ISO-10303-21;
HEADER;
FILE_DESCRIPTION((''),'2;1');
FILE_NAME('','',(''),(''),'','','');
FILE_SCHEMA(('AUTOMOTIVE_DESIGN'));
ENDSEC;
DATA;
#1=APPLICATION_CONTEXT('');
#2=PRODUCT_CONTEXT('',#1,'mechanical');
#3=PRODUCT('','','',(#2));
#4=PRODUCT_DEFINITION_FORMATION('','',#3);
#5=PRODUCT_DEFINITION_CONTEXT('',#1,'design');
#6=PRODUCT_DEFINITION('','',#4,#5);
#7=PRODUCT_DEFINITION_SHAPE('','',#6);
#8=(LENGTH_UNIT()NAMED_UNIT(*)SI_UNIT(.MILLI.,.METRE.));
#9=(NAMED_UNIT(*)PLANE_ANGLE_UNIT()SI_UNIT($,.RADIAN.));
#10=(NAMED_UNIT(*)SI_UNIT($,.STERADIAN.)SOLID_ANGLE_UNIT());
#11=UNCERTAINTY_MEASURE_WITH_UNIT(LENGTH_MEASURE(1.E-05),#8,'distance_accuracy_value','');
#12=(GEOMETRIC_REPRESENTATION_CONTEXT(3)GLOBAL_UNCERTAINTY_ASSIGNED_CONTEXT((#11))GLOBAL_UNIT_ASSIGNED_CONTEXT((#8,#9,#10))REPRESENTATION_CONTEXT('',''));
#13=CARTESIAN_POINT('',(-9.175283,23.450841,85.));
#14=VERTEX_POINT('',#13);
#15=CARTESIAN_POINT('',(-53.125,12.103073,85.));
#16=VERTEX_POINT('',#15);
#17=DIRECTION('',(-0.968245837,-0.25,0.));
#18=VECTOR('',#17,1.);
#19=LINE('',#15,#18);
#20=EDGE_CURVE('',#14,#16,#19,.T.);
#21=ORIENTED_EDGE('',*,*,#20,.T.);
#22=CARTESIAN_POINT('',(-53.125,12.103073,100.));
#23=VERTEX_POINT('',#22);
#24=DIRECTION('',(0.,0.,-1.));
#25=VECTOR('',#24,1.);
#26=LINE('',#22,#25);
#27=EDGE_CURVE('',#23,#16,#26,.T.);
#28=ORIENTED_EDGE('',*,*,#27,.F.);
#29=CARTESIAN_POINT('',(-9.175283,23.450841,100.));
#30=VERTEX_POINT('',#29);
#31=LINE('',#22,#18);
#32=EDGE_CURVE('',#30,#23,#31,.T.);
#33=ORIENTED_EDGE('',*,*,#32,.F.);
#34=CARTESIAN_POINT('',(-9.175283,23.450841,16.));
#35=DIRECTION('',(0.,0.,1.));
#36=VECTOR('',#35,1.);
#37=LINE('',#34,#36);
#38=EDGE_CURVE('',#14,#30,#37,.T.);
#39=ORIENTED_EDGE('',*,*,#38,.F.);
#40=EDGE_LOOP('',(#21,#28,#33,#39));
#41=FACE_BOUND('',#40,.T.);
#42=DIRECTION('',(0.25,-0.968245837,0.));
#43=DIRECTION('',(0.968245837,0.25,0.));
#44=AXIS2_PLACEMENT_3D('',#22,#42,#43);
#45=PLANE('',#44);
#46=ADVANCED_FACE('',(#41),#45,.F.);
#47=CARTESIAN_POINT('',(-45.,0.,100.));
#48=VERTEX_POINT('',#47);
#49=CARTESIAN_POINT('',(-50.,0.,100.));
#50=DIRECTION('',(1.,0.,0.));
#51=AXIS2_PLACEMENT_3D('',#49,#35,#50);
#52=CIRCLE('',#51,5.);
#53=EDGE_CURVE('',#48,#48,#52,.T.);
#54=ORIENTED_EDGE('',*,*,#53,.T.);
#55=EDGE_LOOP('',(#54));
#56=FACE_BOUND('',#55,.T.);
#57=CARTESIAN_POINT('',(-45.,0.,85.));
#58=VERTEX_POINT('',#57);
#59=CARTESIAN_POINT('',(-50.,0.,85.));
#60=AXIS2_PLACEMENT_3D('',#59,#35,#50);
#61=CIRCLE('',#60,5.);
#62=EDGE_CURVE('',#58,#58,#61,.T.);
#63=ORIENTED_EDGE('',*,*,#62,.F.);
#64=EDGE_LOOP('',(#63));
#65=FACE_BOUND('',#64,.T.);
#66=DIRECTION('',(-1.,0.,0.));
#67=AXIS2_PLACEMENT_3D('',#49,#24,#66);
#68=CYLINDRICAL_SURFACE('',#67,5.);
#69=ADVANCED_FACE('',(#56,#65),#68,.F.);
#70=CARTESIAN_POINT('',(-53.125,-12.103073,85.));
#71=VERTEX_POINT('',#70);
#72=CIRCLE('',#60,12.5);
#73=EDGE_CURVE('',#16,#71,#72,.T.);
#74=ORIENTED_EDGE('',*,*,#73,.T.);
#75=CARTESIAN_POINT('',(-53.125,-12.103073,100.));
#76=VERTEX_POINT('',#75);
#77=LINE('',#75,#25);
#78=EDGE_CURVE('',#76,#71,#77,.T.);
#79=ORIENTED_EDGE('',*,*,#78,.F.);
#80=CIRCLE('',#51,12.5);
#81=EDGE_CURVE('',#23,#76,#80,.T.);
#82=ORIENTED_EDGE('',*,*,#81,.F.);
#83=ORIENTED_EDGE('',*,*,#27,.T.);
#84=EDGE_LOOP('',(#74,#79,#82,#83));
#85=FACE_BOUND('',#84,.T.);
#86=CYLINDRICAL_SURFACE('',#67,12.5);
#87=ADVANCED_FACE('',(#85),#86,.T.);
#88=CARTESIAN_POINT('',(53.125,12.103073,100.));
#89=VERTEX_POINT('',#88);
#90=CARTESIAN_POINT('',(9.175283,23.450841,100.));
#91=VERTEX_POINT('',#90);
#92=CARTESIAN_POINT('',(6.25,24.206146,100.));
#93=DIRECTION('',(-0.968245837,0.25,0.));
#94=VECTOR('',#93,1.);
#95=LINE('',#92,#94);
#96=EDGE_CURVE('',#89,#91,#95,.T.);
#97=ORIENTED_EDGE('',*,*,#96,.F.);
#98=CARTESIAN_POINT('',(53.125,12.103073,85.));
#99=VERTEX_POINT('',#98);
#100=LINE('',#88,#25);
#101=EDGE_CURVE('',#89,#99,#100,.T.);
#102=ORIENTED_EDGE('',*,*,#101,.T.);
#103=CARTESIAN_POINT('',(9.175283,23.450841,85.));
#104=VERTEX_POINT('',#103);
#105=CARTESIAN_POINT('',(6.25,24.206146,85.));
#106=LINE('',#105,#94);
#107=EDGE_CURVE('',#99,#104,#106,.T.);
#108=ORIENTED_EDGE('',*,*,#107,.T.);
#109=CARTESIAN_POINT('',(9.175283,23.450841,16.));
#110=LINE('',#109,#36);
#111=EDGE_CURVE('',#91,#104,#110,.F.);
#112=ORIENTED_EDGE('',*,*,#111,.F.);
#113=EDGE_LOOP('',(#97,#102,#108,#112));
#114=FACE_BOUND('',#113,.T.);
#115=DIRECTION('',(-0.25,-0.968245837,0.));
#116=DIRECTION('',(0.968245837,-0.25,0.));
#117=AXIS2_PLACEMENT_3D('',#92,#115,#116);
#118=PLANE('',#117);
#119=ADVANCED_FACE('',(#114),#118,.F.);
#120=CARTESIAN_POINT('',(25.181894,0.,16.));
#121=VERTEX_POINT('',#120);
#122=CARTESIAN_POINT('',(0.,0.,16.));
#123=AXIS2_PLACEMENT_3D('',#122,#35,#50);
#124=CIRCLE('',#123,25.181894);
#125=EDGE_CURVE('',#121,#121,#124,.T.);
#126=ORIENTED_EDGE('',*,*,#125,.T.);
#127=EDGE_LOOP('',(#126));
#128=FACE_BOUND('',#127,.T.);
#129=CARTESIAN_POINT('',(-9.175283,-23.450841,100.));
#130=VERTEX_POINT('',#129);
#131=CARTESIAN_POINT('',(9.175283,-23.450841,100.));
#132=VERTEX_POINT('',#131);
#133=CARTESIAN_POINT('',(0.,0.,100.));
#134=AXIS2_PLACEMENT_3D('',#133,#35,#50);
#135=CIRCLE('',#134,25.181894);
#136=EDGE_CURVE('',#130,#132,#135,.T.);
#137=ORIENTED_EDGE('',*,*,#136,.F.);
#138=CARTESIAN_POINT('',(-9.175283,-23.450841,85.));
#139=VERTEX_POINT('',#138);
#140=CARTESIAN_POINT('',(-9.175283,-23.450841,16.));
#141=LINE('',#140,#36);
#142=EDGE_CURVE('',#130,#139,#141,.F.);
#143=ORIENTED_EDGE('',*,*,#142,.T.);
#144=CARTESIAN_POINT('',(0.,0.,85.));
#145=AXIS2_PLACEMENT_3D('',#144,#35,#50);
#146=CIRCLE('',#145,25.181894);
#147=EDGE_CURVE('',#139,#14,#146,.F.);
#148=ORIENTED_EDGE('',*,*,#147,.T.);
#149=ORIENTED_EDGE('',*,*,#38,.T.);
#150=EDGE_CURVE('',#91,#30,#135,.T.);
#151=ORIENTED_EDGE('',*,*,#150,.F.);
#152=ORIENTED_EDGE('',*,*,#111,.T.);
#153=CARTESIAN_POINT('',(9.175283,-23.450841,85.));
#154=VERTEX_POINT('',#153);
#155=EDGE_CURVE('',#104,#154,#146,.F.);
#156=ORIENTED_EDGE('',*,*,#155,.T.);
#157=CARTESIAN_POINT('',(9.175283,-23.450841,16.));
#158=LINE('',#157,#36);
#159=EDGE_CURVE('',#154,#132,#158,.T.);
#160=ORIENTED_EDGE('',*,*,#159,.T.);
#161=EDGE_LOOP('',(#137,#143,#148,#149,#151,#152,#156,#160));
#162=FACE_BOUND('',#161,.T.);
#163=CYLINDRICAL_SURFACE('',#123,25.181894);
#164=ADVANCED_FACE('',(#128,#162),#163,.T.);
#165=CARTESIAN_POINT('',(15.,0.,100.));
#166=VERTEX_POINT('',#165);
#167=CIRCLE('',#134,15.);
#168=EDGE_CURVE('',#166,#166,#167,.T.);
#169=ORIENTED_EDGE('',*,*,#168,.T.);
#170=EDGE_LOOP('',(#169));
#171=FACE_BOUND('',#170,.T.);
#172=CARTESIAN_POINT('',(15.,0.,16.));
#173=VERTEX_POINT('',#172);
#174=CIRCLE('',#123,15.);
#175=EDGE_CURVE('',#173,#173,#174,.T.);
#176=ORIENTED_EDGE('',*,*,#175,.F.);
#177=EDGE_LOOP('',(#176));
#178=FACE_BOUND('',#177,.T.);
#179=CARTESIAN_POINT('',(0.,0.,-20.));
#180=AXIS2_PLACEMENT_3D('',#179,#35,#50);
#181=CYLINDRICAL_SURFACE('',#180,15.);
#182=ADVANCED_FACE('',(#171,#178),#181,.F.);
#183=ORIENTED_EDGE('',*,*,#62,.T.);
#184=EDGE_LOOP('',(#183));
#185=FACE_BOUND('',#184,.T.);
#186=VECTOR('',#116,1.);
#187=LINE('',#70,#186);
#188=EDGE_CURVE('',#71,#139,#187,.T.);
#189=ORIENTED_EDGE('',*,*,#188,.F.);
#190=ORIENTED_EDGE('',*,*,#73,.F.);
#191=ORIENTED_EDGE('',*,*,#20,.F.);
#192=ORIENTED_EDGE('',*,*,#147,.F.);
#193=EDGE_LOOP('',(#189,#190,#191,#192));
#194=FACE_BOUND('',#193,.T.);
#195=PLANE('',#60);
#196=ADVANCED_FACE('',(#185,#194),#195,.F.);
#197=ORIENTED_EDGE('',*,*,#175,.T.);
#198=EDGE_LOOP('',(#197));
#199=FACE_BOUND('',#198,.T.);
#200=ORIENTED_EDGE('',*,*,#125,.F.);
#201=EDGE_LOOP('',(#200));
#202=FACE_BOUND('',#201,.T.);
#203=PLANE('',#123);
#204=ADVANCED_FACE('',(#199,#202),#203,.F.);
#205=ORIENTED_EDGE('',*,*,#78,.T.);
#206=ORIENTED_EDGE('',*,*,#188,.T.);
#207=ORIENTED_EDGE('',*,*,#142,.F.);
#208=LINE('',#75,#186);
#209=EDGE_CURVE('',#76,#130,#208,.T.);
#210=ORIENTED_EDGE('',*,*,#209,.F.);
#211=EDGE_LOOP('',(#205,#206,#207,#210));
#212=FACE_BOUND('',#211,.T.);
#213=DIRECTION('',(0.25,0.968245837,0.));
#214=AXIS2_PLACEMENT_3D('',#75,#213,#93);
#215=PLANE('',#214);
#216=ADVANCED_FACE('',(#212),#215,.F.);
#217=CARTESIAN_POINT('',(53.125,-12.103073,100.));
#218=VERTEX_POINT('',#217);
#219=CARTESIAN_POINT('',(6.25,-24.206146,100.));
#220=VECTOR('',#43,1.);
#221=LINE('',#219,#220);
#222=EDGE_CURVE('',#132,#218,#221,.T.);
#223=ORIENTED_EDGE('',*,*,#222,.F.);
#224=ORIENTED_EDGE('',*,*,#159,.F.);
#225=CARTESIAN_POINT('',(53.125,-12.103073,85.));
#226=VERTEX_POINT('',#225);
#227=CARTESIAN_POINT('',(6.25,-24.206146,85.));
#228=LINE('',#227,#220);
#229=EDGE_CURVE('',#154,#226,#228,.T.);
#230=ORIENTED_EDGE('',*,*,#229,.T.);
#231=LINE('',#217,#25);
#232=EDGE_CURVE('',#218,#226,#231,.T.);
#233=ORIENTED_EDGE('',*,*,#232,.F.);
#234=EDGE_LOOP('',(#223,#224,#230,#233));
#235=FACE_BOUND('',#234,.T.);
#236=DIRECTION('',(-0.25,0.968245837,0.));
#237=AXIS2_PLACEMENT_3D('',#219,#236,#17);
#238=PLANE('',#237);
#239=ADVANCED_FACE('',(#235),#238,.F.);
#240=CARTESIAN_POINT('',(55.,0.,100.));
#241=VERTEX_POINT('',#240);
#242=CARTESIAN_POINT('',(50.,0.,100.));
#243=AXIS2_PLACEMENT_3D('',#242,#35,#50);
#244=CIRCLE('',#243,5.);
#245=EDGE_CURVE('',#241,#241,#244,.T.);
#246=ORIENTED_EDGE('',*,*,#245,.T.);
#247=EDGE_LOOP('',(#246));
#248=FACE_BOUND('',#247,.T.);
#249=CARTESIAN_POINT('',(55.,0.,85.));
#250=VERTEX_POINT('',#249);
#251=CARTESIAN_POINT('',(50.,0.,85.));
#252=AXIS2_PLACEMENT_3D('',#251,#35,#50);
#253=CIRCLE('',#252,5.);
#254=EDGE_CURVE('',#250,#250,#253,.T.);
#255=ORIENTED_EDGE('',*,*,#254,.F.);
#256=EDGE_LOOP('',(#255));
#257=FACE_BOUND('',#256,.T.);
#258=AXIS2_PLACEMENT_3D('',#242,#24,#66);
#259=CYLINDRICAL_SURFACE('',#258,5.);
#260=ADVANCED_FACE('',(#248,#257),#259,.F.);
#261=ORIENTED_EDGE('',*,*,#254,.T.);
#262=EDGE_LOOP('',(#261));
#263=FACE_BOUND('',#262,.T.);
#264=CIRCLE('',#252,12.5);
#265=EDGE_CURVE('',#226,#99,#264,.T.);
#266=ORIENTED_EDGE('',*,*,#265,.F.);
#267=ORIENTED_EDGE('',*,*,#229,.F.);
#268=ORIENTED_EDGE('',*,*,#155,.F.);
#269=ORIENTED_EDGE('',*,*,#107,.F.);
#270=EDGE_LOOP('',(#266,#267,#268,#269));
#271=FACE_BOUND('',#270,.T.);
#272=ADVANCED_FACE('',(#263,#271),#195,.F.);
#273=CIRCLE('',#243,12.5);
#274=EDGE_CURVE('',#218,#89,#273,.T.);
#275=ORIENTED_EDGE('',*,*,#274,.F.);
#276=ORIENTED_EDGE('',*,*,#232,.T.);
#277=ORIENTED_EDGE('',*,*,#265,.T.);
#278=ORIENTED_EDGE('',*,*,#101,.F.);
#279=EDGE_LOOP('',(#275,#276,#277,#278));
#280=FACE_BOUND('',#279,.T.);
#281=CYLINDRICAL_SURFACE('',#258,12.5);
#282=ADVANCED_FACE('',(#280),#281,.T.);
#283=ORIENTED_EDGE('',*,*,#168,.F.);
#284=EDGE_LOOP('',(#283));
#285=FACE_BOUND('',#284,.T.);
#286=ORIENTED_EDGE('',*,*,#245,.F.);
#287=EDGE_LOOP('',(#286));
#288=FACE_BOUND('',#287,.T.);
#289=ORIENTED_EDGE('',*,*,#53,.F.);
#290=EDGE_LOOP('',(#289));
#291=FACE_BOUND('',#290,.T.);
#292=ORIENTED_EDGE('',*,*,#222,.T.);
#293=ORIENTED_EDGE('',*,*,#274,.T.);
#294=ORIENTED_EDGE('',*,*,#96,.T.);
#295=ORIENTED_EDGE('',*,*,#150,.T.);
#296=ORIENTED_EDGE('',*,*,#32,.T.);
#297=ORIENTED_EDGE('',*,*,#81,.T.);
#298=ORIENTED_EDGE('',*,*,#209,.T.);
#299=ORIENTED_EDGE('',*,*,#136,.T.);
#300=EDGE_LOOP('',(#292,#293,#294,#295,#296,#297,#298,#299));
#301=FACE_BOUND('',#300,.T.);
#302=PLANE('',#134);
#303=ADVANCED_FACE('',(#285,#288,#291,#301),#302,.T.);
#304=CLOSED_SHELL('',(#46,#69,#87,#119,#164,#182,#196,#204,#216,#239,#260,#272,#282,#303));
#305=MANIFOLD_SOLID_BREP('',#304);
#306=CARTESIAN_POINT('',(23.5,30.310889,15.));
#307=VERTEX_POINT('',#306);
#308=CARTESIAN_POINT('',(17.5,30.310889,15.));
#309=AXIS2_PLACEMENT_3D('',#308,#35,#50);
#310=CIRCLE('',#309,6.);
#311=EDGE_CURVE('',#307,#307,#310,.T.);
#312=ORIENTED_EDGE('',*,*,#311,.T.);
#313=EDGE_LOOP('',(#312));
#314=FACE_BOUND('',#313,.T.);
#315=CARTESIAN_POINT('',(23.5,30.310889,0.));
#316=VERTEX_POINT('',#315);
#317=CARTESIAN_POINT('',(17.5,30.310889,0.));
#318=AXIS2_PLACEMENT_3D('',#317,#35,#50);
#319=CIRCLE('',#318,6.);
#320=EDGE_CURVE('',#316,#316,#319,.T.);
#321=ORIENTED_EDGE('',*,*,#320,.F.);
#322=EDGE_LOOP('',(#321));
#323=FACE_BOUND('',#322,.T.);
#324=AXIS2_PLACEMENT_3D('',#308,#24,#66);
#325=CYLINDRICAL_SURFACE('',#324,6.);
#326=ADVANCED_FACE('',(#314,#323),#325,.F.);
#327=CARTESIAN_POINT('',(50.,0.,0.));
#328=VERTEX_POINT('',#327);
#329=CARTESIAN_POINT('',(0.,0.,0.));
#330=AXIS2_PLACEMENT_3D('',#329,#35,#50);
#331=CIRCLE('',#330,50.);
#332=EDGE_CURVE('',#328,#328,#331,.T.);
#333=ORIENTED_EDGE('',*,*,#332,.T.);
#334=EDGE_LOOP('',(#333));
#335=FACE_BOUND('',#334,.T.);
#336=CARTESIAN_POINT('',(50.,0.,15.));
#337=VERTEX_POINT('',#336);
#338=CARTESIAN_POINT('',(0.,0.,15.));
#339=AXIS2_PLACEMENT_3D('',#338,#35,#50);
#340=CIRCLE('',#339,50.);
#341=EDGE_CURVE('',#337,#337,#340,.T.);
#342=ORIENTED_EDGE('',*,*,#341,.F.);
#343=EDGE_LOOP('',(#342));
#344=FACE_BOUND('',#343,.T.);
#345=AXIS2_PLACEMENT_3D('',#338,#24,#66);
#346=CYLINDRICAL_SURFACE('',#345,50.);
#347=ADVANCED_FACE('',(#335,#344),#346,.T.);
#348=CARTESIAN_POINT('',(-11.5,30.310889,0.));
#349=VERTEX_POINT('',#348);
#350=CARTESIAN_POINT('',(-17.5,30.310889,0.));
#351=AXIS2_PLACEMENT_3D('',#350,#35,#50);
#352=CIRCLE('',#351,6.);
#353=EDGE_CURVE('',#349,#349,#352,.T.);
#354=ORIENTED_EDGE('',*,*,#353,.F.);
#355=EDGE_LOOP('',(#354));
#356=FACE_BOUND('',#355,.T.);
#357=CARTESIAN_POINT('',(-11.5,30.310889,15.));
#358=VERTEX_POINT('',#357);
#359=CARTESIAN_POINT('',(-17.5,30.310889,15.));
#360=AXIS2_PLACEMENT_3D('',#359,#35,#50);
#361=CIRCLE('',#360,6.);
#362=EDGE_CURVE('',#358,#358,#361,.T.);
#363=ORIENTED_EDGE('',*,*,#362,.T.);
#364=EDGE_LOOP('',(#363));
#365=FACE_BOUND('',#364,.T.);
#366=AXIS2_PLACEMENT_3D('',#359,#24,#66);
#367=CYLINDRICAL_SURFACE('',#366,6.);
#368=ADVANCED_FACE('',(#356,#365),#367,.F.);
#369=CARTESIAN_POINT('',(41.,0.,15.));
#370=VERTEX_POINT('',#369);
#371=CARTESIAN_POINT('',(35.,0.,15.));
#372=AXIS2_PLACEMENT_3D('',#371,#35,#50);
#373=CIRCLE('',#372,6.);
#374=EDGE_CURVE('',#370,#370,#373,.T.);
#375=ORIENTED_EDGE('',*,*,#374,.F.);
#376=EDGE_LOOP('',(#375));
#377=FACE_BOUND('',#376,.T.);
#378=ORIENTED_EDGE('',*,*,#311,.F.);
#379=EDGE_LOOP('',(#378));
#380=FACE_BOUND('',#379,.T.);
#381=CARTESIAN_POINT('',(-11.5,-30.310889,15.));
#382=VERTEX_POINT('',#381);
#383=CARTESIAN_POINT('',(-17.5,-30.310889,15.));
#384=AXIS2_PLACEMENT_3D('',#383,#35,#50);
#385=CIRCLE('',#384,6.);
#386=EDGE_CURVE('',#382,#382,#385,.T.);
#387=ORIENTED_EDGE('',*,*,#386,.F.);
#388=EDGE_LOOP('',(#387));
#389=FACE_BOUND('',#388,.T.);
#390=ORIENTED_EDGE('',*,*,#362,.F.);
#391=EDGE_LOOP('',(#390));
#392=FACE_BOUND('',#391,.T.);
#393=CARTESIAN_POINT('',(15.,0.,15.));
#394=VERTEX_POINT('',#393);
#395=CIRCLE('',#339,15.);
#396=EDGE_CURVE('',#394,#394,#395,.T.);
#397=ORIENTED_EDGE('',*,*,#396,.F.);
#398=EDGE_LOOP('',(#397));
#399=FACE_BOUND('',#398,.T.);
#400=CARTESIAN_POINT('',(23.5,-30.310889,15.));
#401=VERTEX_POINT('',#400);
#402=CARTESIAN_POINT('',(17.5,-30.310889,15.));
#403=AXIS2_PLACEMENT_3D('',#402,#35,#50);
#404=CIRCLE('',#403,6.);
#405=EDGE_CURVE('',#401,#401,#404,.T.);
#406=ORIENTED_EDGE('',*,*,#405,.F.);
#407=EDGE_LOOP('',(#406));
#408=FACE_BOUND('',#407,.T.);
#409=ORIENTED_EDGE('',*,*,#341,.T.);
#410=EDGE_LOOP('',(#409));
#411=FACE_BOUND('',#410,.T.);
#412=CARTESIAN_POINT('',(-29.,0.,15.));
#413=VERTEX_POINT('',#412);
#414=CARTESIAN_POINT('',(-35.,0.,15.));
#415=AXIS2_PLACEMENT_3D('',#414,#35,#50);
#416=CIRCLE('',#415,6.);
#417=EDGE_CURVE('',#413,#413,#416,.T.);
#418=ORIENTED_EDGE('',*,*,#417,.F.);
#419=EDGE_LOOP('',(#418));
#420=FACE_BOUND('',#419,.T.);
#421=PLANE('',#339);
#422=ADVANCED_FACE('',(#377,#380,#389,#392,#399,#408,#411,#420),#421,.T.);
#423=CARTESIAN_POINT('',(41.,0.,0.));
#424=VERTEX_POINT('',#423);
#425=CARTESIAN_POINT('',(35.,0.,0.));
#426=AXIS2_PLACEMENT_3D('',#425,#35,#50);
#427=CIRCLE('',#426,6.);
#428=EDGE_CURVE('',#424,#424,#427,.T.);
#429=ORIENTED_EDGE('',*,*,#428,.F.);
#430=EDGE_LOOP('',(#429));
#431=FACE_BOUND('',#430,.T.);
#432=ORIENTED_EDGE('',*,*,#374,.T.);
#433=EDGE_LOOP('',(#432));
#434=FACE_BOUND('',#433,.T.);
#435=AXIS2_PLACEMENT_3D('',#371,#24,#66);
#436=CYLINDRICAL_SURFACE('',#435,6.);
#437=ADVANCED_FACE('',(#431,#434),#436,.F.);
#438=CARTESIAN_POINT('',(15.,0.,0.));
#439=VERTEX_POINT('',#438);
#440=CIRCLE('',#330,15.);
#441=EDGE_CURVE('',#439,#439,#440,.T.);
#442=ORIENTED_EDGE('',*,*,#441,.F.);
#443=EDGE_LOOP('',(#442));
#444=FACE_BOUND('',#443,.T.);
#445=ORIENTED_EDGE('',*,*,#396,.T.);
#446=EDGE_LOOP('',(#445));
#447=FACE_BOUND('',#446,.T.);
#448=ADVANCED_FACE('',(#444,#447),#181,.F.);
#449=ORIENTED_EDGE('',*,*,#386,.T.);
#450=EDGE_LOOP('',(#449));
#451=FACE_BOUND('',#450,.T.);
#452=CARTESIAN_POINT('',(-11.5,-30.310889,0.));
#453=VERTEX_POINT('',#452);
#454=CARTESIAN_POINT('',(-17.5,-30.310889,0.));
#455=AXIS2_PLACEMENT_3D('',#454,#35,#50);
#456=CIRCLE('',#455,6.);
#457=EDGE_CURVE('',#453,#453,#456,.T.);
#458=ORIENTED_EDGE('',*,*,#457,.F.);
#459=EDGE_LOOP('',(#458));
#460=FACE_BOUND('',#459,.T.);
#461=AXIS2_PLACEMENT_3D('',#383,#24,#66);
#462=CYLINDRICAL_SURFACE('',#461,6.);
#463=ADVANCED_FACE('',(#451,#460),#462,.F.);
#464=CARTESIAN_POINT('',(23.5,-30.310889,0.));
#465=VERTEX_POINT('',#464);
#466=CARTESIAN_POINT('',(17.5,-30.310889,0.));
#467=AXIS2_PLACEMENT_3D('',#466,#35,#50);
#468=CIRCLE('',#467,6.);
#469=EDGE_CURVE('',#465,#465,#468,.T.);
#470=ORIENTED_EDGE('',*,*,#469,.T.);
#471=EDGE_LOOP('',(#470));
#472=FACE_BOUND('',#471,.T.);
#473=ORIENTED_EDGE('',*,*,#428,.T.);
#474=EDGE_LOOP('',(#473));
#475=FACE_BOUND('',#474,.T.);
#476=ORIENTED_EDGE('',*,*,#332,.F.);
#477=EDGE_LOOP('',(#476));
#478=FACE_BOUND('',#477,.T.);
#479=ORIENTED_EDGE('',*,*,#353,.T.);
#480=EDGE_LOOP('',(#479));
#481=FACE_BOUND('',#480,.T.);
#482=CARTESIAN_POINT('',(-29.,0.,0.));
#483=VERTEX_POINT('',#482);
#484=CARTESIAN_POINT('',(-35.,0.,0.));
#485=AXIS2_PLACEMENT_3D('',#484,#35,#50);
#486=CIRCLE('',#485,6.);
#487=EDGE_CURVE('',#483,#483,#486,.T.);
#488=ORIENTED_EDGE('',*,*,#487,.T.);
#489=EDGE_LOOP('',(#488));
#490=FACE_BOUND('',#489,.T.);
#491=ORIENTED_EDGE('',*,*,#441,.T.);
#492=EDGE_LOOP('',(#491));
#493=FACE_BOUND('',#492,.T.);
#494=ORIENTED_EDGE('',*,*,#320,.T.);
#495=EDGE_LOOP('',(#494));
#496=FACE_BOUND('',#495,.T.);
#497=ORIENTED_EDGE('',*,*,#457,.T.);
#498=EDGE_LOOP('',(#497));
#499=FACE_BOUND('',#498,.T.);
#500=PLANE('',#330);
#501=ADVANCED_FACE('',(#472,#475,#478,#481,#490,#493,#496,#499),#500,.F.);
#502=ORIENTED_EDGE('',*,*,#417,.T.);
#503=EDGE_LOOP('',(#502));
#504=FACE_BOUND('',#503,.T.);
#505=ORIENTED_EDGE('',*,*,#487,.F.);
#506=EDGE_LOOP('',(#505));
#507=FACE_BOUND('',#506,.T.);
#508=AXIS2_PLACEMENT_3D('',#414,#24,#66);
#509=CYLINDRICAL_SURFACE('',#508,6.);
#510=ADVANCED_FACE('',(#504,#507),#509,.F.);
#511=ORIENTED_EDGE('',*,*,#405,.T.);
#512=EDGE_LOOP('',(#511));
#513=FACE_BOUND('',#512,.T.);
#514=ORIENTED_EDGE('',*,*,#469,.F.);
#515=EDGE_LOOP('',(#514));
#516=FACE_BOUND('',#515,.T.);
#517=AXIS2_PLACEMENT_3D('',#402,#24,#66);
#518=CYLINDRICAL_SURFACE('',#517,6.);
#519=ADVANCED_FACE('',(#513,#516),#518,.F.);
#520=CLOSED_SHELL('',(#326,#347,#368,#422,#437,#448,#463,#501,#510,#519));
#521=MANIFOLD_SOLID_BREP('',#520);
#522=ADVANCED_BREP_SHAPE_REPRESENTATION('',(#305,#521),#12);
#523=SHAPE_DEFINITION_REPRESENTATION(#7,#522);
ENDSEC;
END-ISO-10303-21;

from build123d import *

# Parameters (mm, degrees)
SKETCH1_R           = 50
SKETCH1_R_2         = 6
SKETCH1_R_3         = 15
BOSS_EXTRUDE1_DEPTH = 15
SKETCH1_3_R         = 15
BOSS_EXTRUDE2_DEPTH = 85
SKETCH2_R           = 15
SKETCH2_R_2         = 5
BOSS_EXTRUDE3_DEPTH = 15
SKETCH3_R           = 25.181893643
BOSS_EXTRUDE4_DEPTH = 84
CUT_EXTRUDE1_START  = -120
SKETCH4_R           = 15
CUT_EXTRUDE1_DEPTH  = 120


with BuildPart() as part:
    # Sketch1 → Boss-Extrude1 (new body)
    with BuildSketch(Plane.XY):
        Circle(SKETCH1_R)
        with Locations((17.5, 30.310889132)):
            Circle(SKETCH1_R_2, mode=Mode.SUBTRACT)
        with Locations((-17.5, 30.310889132)):
            Circle(SKETCH1_R_2, mode=Mode.SUBTRACT)
        with Locations((-35, 0)):
            Circle(SKETCH1_R_2, mode=Mode.SUBTRACT)
        with Locations((-17.5, -30.310889132)):
            Circle(SKETCH1_R_2, mode=Mode.SUBTRACT)
        with Locations((17.5, -30.310889132)):
            Circle(SKETCH1_R_2, mode=Mode.SUBTRACT)
        with Locations((35, 0)):
            Circle(SKETCH1_R_2, mode=Mode.SUBTRACT)
        Circle(SKETCH1_R_3, mode=Mode.SUBTRACT)
    extrude(amount=BOSS_EXTRUDE1_DEPTH)

    # Sketch1<3> → Boss-Extrude2 (add)
    with BuildSketch(Plane.XY):
        Circle(SKETCH1_3_R)
    extrude(amount=BOSS_EXTRUDE2_DEPTH)



with BuildPart() as body_2:
    # Sketch2 → Boss-Extrude3 (new body)
    with BuildSketch(Plane.XY.offset(85)):
        with BuildLine():
            Line((-53.125, 12.103072957), (-6.25, 24.206145914))
            ThreePointArc((-6.25, 24.206145914), (0, 25), (6.25, 24.206145914))
            Line((6.25, 24.206145914), (53.125, 12.103072957))
            ThreePointArc((53.125, 12.103072957), (62.5, 0), (53.125, -12.103072957))
            Line((53.125, -12.103072957), (6.25, -24.206145914))
            ThreePointArc((6.25, -24.206145914), (0, -25), (-6.25, -24.206145914))
            Line((-6.25, -24.206145914), (-53.125, -12.103072957))
            ThreePointArc((-53.125, -12.103072957), (-62.5, 0), (-53.125, 12.103072957))
        make_face()
        Circle(SKETCH2_R, mode=Mode.SUBTRACT)
        with Locations((-50, 0)):
            Circle(SKETCH2_R_2, mode=Mode.SUBTRACT)
        with Locations((50, 0)):
            Circle(SKETCH2_R_2, mode=Mode.SUBTRACT)
    extrude(amount=BOSS_EXTRUDE3_DEPTH)


with BuildPart() as part_1:
    add(part.part)

    add(body_2.part)  # Boss-Extrude4 merges body 2
    # Sketch3 → Boss-Extrude4 (add)
    with BuildSketch(Plane.XY.offset(100)):
        Circle(SKETCH3_R)
    extrude(amount=-BOSS_EXTRUDE4_DEPTH)

    # Sketch4 → Cut-Extrude1 (cut)
    with BuildSketch(Plane.XY.offset(100).offset(CUT_EXTRUDE1_START)):
        Circle(SKETCH4_R)
    extrude(amount=CUT_EXTRUDE1_DEPTH, mode=Mode.SUBTRACT)


with BuildPart() as cut_extrude1_piece_1:
    # of the separate pieces the step leaves, piece 1, a body of its own (cut_extrude1_pieces)
    add(part_1.part.solids().sort_by_distance((25.181893643, 0, 16))[0])


with BuildPart() as cut_extrude1_piece_2:
    # of the separate pieces the step leaves, piece 2, a body of its own (cut_extrude1_pieces)
    add(part_1.part.solids().sort_by_distance((50, 0, 0))[0])


solid = Compound([cut_extrude1_piece_1.part, cut_extrude1_piece_2.part])
